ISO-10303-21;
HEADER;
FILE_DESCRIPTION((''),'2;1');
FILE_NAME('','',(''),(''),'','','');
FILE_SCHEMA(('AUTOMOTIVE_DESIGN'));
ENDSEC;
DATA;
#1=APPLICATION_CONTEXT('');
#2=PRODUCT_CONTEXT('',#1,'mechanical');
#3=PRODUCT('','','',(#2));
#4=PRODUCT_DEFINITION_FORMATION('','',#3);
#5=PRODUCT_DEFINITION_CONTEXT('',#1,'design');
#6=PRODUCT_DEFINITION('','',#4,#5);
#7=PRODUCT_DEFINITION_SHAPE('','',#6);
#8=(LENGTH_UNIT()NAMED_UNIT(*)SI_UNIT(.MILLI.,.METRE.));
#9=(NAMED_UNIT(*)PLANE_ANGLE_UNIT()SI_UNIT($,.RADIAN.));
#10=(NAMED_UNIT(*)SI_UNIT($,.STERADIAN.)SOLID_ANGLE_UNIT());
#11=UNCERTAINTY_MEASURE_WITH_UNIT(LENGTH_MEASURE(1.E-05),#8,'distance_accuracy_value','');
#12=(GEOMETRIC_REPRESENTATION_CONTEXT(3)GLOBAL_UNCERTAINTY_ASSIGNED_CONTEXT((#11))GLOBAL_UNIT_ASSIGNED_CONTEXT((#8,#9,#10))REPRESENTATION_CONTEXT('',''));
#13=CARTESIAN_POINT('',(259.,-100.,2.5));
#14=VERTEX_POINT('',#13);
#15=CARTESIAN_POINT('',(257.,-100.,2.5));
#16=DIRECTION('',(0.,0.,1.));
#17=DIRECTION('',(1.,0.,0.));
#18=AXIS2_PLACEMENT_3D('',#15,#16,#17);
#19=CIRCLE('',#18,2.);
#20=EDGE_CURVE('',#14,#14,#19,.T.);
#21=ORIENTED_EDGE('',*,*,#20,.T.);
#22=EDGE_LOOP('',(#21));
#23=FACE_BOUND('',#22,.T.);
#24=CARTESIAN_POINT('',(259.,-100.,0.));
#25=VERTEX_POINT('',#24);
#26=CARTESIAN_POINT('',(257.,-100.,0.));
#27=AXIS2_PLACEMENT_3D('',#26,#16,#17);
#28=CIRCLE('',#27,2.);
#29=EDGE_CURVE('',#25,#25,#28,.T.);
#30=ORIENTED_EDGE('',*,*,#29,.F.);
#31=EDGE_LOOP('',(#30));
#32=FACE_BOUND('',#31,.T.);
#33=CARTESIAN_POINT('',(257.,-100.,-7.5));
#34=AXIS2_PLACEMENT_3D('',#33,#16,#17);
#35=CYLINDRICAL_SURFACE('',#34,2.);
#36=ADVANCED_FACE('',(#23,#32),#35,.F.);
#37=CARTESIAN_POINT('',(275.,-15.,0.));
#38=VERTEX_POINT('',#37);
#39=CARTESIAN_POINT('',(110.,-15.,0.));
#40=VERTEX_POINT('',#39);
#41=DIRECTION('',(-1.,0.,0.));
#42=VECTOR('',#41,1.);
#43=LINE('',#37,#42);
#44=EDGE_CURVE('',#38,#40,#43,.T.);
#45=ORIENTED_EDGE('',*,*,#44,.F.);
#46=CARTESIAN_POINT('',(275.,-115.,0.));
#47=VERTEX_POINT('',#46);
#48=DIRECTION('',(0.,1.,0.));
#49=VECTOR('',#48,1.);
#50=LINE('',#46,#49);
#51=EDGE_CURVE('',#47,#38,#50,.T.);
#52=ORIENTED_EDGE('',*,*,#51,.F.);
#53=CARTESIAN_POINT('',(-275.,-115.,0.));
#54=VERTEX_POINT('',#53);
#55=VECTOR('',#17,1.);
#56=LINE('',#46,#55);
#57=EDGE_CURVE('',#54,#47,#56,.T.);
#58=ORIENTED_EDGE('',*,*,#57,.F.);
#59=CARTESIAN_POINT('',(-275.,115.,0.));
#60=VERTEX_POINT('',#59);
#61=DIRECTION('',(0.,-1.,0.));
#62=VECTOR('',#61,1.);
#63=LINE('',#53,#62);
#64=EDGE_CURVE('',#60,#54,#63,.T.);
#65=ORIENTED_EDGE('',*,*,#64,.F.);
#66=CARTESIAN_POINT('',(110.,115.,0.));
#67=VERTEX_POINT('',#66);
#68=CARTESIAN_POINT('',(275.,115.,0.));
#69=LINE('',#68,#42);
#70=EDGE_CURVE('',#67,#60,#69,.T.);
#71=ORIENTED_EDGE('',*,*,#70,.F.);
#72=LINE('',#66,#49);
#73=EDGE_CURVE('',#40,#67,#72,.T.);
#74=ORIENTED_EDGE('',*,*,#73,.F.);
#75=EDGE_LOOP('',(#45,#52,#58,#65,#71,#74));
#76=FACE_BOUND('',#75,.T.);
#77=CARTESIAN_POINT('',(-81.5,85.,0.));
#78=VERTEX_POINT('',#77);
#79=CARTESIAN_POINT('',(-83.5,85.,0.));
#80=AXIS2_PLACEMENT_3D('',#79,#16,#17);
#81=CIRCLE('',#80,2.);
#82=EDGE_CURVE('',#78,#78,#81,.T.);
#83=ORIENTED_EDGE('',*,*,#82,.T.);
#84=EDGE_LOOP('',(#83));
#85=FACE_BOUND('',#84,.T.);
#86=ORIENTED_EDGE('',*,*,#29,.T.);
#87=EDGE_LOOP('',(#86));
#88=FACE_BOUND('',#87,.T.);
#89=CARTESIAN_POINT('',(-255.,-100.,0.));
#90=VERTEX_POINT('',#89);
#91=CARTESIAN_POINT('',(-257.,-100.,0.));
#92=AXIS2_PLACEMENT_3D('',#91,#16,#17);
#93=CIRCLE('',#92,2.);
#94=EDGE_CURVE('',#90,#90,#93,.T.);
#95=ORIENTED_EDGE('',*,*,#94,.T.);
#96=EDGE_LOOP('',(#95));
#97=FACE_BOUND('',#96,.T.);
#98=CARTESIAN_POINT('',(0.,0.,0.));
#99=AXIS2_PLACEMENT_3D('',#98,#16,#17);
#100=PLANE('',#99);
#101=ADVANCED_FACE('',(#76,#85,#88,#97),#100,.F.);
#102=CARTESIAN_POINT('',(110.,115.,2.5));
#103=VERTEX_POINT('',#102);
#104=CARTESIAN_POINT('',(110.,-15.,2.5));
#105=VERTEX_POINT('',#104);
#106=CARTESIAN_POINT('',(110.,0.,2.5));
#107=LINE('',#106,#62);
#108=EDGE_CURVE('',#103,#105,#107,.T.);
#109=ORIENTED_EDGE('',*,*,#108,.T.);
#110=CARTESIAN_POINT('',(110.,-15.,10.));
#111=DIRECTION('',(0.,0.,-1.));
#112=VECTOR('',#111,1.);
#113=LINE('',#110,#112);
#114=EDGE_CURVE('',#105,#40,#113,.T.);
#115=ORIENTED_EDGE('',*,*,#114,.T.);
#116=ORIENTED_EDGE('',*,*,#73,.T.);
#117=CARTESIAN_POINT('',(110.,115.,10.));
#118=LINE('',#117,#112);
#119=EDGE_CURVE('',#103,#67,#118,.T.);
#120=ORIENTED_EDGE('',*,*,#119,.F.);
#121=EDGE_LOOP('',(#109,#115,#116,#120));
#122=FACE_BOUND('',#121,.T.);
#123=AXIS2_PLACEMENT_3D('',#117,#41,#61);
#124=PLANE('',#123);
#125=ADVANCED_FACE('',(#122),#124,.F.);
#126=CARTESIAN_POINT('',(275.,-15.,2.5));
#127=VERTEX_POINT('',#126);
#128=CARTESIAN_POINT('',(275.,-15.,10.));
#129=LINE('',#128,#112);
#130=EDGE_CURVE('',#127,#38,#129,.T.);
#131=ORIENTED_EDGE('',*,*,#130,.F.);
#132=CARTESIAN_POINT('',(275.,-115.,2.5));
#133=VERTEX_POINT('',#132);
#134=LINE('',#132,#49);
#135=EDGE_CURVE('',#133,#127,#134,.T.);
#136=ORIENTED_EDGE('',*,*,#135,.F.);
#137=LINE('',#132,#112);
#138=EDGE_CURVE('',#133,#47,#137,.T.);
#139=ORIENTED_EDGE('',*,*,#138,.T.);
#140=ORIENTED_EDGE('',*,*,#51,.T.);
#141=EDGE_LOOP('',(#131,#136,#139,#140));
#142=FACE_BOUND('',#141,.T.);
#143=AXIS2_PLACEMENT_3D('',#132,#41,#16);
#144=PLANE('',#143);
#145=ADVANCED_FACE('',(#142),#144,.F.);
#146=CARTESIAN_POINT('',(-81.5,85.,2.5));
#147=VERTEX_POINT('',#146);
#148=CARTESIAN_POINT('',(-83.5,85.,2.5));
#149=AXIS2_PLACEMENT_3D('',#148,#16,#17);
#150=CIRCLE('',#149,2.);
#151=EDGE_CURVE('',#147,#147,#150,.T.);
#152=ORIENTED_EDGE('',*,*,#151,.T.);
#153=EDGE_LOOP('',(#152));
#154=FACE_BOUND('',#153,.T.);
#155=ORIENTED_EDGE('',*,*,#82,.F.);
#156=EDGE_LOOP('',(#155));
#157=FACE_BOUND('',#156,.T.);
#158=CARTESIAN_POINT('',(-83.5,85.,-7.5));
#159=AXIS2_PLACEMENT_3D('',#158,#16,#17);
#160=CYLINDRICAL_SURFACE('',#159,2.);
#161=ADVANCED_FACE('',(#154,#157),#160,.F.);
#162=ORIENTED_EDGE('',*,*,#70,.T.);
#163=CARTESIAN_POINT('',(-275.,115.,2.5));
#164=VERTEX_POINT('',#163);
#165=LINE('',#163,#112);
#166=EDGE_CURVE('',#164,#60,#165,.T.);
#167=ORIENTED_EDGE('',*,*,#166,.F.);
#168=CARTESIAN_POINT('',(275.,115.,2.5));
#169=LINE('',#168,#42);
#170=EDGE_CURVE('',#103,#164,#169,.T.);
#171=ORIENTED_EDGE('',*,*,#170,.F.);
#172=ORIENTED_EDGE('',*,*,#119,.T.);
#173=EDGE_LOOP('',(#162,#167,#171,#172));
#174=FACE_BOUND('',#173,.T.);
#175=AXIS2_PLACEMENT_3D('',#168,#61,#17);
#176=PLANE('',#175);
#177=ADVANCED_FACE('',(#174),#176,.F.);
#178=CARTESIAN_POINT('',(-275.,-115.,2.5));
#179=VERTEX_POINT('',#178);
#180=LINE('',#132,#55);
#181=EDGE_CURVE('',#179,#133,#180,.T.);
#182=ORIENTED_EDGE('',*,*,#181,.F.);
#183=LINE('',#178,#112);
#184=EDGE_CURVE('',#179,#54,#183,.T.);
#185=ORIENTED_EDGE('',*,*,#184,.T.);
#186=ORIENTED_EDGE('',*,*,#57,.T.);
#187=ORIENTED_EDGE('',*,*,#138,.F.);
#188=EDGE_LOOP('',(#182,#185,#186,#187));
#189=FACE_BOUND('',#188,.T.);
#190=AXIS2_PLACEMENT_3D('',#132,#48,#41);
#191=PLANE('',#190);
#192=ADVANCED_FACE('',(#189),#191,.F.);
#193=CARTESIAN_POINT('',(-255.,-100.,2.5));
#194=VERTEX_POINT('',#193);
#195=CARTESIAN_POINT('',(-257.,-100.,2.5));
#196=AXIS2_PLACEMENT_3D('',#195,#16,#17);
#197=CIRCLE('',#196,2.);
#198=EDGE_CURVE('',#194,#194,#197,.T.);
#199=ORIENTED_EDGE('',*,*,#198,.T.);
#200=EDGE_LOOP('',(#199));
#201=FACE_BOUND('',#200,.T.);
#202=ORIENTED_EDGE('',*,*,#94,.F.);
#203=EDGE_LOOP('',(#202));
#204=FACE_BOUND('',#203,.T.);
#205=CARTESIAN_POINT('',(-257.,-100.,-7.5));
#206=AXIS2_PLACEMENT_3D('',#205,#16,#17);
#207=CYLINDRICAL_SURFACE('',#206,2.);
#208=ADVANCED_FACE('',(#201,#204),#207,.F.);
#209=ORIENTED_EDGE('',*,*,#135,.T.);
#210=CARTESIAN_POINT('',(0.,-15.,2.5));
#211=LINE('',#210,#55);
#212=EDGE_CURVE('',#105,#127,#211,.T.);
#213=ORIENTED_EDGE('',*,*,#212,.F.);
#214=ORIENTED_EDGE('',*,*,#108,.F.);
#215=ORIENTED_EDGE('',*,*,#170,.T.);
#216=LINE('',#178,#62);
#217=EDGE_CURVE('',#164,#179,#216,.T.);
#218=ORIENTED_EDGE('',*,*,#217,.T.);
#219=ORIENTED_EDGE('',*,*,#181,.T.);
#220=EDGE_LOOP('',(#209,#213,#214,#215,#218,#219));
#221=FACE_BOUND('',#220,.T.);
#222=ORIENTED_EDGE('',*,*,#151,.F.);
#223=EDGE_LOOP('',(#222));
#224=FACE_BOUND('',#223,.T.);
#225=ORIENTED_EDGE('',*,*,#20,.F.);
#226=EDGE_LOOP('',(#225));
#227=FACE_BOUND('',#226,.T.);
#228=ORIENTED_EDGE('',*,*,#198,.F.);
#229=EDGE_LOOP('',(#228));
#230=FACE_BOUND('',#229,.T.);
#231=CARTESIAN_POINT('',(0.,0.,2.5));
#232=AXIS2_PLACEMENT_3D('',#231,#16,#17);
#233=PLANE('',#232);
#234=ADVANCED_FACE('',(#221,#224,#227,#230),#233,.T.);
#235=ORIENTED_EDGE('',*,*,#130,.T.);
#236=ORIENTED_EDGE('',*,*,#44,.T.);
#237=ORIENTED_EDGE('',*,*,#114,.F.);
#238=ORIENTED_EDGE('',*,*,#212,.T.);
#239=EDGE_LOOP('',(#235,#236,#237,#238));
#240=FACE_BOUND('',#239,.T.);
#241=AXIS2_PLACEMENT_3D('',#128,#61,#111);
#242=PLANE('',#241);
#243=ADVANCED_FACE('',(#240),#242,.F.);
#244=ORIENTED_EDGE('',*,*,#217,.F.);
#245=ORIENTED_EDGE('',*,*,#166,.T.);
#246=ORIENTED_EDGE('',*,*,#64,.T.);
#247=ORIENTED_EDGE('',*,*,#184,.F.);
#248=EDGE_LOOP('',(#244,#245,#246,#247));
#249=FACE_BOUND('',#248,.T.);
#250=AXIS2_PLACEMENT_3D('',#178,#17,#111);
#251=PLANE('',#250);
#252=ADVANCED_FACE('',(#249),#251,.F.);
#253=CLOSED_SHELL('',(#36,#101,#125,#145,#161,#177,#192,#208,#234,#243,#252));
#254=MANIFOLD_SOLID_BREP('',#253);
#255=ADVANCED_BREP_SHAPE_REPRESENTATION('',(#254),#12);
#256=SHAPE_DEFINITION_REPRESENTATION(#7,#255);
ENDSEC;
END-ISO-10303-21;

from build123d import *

# Parameters (mm, degrees)
SCHIZZO1_W                   = 550
SCHIZZO1_H                   = 230
ESTRUSIONE_ESTRUSIONE1_DEPTH = 2.5
SCHIZZO2_W                   = 165
SCHIZZO2_H                   = 130
TAGLIO_ESTRUSIONE1_DEPTH     = 10
SCHIZZO3_R                   = 2
TAGLIO_ESTRUSIONE2_DEPTH     = 10


with BuildPart() as part:
    # Schizzo1 → Estrusione-Estrusione1 (new body)
    with BuildSketch(Plane.XY):
        Rectangle(SCHIZZO1_W, SCHIZZO1_H)
    extrude(amount=ESTRUSIONE_ESTRUSIONE1_DEPTH)

    # Schizzo2 → Taglio-Estrusione1 (cut)
    with BuildSketch(Plane(origin=(0, 0, 0), x_dir=(-1, 0, 0), z_dir=(0, 0, -1))):
        with Locations((-192.5, 50)):
            Rectangle(SCHIZZO2_W, SCHIZZO2_H)
    extrude(amount=-TAGLIO_ESTRUSIONE1_DEPTH, mode=Mode.SUBTRACT)

    # Schizzo3 → Taglio-Estrusione2 (cut)
    with BuildSketch(Plane.XY.offset(2.5)):
        with Locations((-83.5, 85)):
            Circle(SCHIZZO3_R)
        with Locations((-257, -100)):
            Circle(SCHIZZO3_R)
        with Locations((257, -100)):
            Circle(SCHIZZO3_R)
    extrude(amount=-TAGLIO_ESTRUSIONE2_DEPTH, mode=Mode.SUBTRACT)


solid = part.part
